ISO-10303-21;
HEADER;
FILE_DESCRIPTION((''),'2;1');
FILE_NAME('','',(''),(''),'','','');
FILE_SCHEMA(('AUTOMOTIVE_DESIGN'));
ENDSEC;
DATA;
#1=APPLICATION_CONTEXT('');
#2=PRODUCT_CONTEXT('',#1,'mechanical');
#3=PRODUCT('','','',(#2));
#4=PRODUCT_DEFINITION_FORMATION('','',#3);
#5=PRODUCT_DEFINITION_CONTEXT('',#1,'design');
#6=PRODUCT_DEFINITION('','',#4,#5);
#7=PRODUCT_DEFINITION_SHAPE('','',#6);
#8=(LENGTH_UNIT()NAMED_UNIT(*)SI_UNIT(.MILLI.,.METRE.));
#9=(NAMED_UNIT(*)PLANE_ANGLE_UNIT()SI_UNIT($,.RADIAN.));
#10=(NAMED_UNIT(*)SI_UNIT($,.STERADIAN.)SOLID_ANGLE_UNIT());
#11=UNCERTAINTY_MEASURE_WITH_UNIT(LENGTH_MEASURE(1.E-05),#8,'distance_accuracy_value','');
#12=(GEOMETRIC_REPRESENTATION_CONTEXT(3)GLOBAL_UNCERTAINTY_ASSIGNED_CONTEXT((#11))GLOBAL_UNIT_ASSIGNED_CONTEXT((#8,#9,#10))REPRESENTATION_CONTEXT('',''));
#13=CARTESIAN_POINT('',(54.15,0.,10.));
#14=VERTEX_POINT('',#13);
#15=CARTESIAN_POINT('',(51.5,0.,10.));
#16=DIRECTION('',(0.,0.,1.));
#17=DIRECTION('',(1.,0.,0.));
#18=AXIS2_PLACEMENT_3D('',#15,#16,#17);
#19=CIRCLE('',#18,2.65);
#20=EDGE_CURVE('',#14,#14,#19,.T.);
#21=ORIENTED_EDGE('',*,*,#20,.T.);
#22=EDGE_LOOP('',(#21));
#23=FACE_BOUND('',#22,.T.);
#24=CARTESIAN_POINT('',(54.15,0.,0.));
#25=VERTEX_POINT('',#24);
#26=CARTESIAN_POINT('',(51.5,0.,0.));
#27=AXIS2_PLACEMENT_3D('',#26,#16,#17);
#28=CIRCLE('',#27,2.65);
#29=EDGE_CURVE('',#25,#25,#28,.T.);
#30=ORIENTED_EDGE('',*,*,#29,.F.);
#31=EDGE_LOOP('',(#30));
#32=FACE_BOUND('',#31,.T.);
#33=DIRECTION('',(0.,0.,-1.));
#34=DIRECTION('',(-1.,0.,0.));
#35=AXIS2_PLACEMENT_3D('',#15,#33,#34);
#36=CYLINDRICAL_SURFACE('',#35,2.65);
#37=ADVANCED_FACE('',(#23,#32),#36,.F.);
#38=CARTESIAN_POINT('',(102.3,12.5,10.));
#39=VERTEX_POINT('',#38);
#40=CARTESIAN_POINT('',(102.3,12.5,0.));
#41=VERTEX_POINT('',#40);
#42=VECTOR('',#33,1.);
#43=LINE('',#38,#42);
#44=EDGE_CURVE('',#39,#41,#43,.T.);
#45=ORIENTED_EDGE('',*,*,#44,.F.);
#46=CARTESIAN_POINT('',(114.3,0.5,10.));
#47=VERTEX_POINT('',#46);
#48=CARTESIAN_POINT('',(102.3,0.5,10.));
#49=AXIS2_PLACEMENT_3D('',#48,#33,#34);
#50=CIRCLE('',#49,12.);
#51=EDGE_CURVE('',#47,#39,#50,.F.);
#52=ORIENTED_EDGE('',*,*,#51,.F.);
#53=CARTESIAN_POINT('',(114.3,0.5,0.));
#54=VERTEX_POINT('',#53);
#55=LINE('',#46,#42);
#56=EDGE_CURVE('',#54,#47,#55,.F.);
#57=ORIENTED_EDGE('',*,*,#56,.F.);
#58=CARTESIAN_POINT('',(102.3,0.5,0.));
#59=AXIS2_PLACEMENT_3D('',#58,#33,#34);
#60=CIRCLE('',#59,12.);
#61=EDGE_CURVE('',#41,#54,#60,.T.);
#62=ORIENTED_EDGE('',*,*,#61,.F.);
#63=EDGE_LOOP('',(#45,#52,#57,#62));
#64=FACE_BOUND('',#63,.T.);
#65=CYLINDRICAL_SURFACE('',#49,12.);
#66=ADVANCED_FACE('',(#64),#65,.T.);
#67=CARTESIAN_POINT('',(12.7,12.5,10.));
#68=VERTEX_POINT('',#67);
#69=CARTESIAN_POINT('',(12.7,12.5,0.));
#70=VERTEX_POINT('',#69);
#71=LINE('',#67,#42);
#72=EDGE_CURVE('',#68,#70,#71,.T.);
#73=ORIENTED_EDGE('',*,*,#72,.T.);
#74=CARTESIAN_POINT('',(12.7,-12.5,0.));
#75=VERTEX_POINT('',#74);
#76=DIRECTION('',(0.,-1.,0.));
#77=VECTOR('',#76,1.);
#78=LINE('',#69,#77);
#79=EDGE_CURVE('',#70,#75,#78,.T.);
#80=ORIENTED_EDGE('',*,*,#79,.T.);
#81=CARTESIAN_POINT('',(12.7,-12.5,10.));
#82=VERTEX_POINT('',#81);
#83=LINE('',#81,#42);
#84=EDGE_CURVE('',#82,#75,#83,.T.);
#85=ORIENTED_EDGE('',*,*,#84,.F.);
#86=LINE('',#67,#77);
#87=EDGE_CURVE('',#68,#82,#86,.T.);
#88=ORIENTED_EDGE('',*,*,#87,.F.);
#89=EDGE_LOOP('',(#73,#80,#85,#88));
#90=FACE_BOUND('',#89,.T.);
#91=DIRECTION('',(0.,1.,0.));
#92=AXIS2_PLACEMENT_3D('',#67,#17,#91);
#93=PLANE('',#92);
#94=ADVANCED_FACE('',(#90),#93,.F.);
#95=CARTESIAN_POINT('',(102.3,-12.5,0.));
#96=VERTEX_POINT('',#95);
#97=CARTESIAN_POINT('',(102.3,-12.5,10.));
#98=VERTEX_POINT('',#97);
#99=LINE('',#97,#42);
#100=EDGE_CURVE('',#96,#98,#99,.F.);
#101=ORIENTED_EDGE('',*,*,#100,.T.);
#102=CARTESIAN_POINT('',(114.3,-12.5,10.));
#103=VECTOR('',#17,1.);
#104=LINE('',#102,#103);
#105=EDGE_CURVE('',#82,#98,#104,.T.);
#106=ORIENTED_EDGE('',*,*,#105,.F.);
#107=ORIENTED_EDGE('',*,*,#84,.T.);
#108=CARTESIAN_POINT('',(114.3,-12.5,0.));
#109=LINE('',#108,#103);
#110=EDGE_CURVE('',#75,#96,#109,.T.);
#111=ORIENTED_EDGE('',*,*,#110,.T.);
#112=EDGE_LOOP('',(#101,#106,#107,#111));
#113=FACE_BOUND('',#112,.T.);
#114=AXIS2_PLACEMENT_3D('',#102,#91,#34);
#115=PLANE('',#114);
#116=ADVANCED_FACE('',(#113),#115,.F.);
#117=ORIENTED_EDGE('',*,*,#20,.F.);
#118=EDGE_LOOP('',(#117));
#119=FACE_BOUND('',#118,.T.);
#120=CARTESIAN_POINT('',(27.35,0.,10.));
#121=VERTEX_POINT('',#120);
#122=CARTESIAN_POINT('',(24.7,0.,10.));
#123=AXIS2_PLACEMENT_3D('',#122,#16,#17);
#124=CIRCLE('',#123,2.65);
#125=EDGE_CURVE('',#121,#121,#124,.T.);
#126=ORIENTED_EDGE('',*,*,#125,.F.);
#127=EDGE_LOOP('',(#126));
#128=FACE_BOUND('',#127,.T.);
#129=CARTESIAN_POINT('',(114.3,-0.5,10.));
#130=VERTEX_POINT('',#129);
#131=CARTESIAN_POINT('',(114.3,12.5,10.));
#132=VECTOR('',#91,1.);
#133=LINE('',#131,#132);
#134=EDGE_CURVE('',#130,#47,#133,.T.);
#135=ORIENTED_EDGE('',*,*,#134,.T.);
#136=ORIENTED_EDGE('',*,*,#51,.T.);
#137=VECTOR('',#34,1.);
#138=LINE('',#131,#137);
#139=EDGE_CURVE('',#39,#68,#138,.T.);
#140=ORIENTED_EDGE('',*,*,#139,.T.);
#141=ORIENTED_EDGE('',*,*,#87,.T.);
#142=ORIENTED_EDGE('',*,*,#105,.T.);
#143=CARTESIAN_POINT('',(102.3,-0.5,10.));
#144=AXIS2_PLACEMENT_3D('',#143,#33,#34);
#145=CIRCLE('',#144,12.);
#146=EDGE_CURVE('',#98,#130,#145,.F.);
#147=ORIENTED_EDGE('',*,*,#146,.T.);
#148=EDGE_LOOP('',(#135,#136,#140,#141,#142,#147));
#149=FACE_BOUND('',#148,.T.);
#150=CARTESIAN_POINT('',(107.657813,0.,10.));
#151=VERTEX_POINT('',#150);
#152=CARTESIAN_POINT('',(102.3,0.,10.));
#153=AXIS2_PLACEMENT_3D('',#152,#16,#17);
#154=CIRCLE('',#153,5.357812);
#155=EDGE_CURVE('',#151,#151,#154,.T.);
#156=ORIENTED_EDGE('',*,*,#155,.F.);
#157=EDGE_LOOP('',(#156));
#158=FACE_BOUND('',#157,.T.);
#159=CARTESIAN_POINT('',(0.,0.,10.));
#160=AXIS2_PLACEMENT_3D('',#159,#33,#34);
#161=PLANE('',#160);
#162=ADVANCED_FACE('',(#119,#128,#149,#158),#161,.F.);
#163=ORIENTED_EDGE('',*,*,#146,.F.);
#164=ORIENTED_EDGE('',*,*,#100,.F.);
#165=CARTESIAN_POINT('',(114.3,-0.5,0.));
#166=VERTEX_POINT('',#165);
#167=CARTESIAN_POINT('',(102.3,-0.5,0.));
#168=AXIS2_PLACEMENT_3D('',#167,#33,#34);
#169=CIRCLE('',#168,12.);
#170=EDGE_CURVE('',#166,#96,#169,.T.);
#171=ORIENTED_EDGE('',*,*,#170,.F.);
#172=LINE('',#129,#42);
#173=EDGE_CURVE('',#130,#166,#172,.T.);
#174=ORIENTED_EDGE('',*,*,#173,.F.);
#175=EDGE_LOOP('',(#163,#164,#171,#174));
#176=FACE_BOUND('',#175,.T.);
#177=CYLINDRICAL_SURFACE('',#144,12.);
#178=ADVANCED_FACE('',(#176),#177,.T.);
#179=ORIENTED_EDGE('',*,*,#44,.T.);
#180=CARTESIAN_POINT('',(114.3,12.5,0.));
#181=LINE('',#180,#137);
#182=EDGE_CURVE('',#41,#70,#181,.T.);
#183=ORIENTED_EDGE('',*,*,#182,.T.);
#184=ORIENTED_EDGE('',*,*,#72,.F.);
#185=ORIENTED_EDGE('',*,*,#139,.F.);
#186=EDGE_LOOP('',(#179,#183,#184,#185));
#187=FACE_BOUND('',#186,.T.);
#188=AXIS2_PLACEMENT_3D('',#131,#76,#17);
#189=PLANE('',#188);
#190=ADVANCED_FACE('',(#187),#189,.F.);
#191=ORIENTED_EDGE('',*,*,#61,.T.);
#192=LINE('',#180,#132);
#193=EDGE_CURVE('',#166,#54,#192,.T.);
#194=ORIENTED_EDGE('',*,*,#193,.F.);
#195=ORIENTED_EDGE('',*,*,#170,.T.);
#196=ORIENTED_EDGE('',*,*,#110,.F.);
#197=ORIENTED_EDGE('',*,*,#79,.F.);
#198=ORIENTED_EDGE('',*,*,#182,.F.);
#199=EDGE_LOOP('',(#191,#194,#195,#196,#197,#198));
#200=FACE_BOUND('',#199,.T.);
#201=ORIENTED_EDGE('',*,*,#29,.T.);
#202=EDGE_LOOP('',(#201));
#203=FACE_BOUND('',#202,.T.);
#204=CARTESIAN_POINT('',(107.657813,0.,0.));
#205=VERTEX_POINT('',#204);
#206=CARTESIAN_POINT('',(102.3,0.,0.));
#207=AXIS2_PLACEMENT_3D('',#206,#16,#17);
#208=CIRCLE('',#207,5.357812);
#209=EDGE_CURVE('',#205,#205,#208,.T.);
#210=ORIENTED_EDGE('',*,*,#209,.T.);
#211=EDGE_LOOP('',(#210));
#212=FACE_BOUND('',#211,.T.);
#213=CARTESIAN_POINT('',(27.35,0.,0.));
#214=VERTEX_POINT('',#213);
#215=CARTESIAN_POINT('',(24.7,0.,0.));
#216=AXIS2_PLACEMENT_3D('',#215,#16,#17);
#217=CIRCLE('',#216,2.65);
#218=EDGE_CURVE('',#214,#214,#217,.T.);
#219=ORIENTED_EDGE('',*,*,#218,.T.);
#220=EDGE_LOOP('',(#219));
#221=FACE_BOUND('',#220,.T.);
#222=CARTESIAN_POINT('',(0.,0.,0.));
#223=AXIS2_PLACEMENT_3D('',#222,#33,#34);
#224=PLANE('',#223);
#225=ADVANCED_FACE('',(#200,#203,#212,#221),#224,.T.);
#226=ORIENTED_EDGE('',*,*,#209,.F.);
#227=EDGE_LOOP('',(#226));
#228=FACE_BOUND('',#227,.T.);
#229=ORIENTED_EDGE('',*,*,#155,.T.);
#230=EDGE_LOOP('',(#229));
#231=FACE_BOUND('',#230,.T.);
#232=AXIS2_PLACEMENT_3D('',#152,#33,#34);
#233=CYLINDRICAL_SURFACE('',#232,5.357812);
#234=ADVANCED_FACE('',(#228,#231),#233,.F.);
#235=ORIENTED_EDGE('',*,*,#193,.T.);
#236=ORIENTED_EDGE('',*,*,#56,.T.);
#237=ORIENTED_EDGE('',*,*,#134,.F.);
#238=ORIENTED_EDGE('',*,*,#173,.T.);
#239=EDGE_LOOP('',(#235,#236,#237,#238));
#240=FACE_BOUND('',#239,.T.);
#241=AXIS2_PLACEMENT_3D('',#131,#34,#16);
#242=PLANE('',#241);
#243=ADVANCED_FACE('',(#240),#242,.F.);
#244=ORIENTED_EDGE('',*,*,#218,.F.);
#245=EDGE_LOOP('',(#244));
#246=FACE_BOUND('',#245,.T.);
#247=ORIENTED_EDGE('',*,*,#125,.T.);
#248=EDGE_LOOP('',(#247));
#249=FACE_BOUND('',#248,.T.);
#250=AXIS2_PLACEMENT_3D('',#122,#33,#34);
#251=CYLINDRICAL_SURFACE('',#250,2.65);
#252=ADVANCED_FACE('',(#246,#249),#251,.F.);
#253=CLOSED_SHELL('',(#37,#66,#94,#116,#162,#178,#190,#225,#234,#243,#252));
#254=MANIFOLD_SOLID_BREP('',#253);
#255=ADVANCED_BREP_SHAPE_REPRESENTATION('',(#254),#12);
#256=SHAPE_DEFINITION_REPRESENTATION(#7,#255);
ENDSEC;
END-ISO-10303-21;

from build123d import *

# Parameters (mm, degrees)
SKETCH1_W           = 101.6
SKETCH1_H           = 25
SKETCH1_R           = 5.3578125
SKETCH1_R_2         = 2.65
BOSS_EXTRUDE1_DEPTH = 10
FILLET1_R           = 12


with BuildPart() as part:
    # Sketch1 → Boss-Extrude1 (new body)
    with BuildSketch(Plane.XY):
        with Locations((63.5, 0)):
            Rectangle(SKETCH1_W, SKETCH1_H)
        with Locations((102.3, 0)):
            Circle(SKETCH1_R, mode=Mode.SUBTRACT)
        with Locations((24.7, 0)):
            Circle(SKETCH1_R_2, mode=Mode.SUBTRACT)
        with Locations((51.5, 0)):
            Circle(SKETCH1_R_2, mode=Mode.SUBTRACT)
    extrude(amount=BOSS_EXTRUDE1_DEPTH)

    # Fillet1
    fillet1_edges = [part.edges().sort_by_distance(p)[0] for p in [
        (114.3, 12.5, 5),
        (114.3, -12.5, 5),
    ]]
    fillet(fillet1_edges, radius=FILLET1_R)


solid = part.part
